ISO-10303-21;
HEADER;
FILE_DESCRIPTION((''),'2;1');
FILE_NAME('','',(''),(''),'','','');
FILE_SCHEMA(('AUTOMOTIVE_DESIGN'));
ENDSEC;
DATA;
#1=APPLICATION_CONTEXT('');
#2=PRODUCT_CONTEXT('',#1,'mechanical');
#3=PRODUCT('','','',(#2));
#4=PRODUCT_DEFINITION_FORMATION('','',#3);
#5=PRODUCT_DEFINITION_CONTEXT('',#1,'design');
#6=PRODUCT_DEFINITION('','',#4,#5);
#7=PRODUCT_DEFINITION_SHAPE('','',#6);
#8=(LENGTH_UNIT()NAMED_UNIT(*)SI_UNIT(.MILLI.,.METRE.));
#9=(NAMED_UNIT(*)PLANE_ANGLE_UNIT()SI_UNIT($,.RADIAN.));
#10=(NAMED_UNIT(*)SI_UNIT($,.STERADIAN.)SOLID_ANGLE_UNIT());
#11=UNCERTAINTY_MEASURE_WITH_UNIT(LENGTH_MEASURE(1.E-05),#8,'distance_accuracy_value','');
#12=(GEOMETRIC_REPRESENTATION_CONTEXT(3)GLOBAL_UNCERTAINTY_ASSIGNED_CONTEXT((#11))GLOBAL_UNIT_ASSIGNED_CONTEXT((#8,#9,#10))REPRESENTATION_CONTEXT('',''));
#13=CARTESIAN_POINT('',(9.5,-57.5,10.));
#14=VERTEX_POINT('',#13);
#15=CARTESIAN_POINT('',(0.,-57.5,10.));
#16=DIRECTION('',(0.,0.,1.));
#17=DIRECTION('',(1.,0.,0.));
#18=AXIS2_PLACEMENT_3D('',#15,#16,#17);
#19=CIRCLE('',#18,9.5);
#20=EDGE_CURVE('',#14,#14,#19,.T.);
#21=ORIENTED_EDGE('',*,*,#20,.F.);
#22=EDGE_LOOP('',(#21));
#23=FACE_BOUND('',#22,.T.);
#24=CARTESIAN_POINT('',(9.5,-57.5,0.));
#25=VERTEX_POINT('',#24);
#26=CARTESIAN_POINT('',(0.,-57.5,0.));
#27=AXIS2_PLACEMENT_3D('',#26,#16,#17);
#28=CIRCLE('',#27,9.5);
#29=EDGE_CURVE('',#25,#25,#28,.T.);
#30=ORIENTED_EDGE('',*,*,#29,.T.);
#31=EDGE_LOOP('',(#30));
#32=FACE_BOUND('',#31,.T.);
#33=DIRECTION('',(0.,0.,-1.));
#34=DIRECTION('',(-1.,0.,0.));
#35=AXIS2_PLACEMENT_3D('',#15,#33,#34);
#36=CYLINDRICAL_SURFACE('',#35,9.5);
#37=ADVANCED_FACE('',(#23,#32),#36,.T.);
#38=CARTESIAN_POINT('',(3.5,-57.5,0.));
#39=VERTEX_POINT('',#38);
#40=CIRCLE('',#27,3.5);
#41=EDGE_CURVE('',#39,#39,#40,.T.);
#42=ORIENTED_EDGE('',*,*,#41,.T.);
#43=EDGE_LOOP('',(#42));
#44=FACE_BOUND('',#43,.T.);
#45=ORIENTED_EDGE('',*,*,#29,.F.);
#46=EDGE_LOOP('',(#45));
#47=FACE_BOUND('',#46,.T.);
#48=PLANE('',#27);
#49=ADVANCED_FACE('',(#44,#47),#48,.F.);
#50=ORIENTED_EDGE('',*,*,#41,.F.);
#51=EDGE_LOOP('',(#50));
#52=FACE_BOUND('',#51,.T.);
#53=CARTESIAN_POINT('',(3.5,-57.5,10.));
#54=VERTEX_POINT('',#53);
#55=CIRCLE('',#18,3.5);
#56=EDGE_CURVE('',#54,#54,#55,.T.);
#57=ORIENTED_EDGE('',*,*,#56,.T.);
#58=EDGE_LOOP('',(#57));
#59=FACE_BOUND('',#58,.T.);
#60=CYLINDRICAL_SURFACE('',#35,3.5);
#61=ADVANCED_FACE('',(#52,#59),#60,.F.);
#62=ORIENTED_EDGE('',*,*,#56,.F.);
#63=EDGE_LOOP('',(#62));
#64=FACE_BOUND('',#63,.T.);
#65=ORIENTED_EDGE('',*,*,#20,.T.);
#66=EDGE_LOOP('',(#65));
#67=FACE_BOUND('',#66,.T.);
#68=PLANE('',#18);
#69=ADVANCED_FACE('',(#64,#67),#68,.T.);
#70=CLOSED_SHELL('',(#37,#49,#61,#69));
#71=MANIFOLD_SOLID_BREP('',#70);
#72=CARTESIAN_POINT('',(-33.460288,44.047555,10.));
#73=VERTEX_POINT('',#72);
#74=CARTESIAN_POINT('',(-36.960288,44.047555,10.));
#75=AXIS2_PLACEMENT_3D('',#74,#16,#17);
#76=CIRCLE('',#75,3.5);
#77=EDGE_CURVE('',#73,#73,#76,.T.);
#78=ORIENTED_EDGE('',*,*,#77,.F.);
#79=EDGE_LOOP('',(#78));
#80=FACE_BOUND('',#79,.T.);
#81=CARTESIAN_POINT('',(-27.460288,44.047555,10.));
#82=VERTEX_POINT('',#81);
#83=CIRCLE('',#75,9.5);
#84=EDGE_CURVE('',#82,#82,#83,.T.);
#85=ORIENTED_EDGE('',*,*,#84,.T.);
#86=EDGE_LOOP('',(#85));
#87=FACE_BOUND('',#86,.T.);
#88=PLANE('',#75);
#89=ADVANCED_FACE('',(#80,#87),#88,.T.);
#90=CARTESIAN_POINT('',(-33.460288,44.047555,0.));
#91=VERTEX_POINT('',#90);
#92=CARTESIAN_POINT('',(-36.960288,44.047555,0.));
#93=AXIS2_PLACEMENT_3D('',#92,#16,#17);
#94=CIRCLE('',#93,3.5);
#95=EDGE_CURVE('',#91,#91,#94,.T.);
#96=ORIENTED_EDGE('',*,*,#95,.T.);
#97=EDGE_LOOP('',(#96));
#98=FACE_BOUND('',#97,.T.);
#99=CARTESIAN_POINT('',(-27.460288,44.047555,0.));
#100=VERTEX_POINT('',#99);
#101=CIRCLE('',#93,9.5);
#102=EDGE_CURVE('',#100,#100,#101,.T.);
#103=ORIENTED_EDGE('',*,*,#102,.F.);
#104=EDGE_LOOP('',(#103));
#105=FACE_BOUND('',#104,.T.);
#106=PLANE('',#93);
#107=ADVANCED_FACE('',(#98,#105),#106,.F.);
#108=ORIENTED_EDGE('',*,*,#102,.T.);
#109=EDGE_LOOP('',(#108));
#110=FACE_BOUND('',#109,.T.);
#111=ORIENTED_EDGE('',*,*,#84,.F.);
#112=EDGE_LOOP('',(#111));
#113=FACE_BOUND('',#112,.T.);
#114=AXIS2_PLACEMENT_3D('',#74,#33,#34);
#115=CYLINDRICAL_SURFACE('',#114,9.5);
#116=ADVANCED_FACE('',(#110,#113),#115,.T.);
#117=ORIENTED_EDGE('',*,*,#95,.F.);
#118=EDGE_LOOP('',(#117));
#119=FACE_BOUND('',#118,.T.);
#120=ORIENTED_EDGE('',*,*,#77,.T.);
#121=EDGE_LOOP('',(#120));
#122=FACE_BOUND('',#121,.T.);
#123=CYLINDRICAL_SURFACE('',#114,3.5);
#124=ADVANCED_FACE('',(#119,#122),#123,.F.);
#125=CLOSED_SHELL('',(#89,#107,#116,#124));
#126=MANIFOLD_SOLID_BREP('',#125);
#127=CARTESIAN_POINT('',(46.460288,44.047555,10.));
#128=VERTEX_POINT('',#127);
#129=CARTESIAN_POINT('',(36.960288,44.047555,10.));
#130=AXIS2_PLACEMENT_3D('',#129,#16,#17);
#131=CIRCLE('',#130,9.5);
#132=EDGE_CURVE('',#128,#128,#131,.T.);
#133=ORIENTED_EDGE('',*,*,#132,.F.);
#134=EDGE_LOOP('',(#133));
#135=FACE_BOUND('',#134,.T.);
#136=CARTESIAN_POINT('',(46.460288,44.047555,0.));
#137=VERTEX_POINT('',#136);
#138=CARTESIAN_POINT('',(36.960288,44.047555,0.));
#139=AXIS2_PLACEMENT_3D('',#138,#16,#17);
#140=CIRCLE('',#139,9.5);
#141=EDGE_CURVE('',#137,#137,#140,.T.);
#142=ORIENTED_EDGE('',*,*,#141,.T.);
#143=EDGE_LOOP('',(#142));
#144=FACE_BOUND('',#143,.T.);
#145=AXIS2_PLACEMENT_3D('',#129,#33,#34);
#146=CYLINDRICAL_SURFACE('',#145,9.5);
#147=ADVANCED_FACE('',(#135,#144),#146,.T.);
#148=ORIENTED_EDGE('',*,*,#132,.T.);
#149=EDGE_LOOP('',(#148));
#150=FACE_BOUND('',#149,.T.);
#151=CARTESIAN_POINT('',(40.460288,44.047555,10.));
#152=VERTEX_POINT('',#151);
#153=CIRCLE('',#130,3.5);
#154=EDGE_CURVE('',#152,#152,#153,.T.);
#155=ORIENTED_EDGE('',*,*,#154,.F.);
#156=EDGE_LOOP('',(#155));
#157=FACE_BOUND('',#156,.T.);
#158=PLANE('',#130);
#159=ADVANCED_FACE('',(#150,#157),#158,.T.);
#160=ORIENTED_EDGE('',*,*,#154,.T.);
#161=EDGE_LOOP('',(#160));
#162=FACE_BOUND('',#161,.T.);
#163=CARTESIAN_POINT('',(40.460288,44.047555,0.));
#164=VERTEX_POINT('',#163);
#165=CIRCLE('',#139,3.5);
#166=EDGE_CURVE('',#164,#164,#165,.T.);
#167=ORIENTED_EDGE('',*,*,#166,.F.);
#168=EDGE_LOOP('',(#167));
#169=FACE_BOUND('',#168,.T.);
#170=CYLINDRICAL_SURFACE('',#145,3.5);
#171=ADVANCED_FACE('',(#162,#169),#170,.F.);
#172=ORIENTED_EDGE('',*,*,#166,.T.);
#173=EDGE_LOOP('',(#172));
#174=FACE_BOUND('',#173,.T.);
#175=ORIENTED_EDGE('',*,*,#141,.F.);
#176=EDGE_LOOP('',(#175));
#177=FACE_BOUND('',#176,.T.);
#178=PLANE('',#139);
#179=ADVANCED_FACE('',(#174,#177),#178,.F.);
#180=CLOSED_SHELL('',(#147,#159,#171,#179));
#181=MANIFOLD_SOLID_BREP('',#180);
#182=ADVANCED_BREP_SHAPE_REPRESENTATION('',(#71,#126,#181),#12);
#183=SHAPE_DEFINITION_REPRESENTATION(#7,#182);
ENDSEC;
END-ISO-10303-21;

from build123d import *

# Parameters (mm, degrees)
SKETCH1_R                    = 9.5
SKETCH1_R_2                  = 3.5
FOG_LIGHT_SCREWHOLES_DEPTH   = 10
FOG_LIGHT_SCREWHOLES_2_DEPTH = 10
FOG_LIGHT_SCREWHOLES_3_DEPTH = 10


with BuildPart() as part:
    # Sketch1 → Fog light screwholes (new body)
    with BuildSketch(Plane.XY):
        with Locations((-36.960287557, 44.047555479)):
            Circle(SKETCH1_R)
        with Locations((-36.960287557, 44.047555479)):
            Circle(SKETCH1_R_2, mode=Mode.SUBTRACT)
    extrude(amount=FOG_LIGHT_SCREWHOLES_DEPTH)


with BuildPart() as body_2:
    # Sketch1 → Fog light screwholes 2 (new body)
    with BuildSketch(Plane.XY):
        with Locations((36.960287557, 44.047555479)):
            Circle(SKETCH1_R)
        with Locations((36.960287557, 44.047555479)):
            Circle(SKETCH1_R_2, mode=Mode.SUBTRACT)
    extrude(amount=FOG_LIGHT_SCREWHOLES_2_DEPTH)


with BuildPart() as body_3:
    # Sketch1 → Fog light screwholes 3 (new body)
    with BuildSketch(Plane.XY):
        with Locations((0, -57.5)):
            Circle(SKETCH1_R)
        with Locations((0, -57.5)):
            Circle(SKETCH1_R_2, mode=Mode.SUBTRACT)
    extrude(amount=FOG_LIGHT_SCREWHOLES_3_DEPTH)


solid = Compound([part.part, body_2.part, body_3.part])
